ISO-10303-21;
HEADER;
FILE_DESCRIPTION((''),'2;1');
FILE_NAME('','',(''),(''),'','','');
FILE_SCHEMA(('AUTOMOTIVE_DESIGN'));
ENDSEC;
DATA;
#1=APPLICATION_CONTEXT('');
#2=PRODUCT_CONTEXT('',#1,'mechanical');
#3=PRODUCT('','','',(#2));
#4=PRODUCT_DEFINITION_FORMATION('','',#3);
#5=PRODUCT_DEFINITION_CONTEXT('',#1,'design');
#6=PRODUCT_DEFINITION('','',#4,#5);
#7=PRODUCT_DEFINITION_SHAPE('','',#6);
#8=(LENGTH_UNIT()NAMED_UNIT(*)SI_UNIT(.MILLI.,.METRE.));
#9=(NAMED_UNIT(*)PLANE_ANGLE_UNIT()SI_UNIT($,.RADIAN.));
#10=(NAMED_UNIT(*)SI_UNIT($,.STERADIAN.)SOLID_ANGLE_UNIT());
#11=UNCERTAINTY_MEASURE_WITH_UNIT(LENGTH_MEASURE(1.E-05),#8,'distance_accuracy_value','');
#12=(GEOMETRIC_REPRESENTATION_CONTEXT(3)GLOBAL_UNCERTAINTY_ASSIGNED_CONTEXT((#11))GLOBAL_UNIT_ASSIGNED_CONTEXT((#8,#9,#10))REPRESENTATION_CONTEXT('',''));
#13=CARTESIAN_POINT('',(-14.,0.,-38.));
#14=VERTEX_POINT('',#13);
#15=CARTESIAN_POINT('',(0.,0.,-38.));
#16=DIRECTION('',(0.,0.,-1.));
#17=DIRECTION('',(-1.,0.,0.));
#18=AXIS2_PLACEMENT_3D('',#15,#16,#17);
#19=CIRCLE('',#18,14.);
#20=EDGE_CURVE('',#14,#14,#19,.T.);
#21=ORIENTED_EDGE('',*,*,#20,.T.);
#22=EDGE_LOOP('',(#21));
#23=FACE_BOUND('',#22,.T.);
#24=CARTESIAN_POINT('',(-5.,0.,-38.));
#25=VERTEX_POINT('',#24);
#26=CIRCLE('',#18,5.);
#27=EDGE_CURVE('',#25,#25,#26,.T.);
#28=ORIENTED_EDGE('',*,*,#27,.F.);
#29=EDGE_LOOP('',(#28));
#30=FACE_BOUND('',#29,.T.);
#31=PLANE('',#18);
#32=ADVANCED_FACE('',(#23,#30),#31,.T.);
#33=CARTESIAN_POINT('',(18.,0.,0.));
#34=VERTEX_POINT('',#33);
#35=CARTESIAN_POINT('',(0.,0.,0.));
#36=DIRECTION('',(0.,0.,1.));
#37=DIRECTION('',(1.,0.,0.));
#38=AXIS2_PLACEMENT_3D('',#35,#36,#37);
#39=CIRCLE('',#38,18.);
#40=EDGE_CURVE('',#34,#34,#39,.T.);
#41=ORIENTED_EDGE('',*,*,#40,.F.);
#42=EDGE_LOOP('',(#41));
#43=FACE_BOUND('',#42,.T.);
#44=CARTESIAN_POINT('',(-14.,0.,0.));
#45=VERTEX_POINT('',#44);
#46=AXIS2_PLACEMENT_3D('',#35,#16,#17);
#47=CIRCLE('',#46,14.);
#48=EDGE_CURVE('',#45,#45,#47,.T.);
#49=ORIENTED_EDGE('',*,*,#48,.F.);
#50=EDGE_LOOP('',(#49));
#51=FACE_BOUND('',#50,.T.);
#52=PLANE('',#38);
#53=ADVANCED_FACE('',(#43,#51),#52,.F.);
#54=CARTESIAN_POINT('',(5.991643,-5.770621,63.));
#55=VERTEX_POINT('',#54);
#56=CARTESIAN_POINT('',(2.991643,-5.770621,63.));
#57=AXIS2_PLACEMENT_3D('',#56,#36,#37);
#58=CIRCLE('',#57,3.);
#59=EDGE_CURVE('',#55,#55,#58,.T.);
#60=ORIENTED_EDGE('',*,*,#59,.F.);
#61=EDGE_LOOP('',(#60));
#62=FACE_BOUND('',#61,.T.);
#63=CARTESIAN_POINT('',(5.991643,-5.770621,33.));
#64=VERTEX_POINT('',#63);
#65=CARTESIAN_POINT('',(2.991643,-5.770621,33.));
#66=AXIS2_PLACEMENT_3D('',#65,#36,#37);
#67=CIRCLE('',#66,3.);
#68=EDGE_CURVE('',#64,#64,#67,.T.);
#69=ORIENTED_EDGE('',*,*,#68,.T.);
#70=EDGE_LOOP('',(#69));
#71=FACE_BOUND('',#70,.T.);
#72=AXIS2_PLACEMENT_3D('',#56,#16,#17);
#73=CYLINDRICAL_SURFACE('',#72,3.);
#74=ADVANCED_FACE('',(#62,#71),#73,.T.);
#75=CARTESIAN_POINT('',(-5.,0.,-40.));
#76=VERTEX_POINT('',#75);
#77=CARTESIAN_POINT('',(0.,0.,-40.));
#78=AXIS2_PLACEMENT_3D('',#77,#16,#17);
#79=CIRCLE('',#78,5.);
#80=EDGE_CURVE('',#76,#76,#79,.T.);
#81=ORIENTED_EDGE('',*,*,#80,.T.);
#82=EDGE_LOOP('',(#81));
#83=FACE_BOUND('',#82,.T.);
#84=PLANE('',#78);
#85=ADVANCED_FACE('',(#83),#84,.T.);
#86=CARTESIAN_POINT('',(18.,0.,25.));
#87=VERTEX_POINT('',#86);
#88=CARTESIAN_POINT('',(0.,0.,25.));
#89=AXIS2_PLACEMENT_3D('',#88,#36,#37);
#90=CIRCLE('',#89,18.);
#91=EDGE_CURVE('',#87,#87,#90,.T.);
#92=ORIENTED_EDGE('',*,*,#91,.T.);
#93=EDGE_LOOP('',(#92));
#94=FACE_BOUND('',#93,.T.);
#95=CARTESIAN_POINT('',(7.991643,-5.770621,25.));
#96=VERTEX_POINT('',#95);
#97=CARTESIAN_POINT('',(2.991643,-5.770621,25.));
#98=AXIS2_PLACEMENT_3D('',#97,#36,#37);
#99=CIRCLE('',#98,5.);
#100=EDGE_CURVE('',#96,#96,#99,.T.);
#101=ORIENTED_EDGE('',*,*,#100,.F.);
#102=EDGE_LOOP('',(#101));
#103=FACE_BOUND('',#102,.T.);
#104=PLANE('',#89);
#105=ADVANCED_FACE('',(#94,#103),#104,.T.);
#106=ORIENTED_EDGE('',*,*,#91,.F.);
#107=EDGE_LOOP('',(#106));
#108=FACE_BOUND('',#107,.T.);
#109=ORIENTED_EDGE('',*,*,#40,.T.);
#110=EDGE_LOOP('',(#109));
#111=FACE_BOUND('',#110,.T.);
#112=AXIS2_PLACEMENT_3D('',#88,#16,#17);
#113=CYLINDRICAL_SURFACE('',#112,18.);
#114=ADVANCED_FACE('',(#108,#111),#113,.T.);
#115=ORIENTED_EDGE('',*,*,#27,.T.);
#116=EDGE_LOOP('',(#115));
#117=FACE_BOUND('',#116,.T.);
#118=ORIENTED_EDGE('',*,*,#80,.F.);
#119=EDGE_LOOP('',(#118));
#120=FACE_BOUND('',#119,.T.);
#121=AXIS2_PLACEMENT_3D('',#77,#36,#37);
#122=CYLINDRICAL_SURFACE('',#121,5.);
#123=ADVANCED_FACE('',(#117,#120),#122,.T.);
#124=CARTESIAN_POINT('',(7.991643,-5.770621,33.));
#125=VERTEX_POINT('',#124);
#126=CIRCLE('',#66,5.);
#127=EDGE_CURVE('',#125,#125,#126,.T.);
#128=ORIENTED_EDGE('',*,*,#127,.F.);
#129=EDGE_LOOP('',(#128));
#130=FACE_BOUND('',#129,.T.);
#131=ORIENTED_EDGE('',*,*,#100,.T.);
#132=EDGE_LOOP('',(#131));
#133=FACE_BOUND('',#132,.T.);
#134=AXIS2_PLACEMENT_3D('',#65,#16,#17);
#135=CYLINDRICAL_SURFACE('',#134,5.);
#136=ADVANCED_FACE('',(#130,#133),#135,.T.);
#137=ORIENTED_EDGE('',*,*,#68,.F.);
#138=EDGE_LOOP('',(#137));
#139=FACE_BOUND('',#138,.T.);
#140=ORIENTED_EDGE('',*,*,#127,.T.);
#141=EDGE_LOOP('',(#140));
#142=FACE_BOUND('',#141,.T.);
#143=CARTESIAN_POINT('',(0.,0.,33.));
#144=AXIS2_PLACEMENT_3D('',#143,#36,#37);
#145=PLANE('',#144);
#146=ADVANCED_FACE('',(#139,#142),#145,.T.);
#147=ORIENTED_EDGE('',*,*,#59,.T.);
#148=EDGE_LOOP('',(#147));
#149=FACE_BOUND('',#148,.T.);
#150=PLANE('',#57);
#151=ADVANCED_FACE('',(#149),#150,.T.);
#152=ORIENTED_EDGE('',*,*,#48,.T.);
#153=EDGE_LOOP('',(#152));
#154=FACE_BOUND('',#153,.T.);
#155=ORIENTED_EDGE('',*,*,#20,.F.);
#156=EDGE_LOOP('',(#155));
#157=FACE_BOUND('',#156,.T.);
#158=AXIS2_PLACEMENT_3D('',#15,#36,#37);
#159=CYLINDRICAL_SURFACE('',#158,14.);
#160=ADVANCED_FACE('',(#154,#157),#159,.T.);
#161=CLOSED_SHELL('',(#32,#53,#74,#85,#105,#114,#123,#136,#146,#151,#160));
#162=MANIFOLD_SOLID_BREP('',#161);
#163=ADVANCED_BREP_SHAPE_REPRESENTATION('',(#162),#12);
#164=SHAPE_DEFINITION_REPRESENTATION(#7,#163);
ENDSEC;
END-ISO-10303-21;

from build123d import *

# Parameters (mm, degrees)
SKETCH1_R           = 18
BOSS_EXTRUDE1_DEPTH = 25
SKETCH2_R           = 14
BOSS_EXTRUDE2_DEPTH = 38
SKETCH3_R           = 5
BOSS_EXTRUDE3_DEPTH = 2
SKETCH4_R           = 5
BOSS_EXTRUDE4_DEPTH = 8
SKETCH5_R           = 3
BOSS_EXTRUDE5_DEPTH = 30


with BuildPart() as part:
    # Sketch1 → Boss-Extrude1 (new body)
    with BuildSketch(Plane.XY):
        Circle(SKETCH1_R)
    extrude(amount=BOSS_EXTRUDE1_DEPTH)

    # Sketch2 → Boss-Extrude2 (add)
    with BuildSketch(Plane(origin=(0, 0, 0), x_dir=(-1, 0, 0), z_dir=(0, 0, -1))):
        Circle(SKETCH2_R)
    extrude(amount=BOSS_EXTRUDE2_DEPTH)

    # Sketch3 → Boss-Extrude3 (add)
    with BuildSketch(Plane(origin=(0, 0, -38), x_dir=(-1, 0, 0), z_dir=(0, 0, -1))):
        Circle(SKETCH3_R)
    extrude(amount=BOSS_EXTRUDE3_DEPTH)

    # Sketch4 → Boss-Extrude4 (add)
    with BuildSketch(Plane.XY.offset(25)):
        with Locations((2.991643327, -5.770621301)):
            Circle(SKETCH4_R)
    extrude(amount=BOSS_EXTRUDE4_DEPTH)

    # Sketch5 → Boss-Extrude5 (add)
    with BuildSketch(Plane.XY.offset(33)):
        with Locations((2.991643327, -5.770621301)):
            Circle(SKETCH5_R)
    extrude(amount=BOSS_EXTRUDE5_DEPTH)


solid = part.part
